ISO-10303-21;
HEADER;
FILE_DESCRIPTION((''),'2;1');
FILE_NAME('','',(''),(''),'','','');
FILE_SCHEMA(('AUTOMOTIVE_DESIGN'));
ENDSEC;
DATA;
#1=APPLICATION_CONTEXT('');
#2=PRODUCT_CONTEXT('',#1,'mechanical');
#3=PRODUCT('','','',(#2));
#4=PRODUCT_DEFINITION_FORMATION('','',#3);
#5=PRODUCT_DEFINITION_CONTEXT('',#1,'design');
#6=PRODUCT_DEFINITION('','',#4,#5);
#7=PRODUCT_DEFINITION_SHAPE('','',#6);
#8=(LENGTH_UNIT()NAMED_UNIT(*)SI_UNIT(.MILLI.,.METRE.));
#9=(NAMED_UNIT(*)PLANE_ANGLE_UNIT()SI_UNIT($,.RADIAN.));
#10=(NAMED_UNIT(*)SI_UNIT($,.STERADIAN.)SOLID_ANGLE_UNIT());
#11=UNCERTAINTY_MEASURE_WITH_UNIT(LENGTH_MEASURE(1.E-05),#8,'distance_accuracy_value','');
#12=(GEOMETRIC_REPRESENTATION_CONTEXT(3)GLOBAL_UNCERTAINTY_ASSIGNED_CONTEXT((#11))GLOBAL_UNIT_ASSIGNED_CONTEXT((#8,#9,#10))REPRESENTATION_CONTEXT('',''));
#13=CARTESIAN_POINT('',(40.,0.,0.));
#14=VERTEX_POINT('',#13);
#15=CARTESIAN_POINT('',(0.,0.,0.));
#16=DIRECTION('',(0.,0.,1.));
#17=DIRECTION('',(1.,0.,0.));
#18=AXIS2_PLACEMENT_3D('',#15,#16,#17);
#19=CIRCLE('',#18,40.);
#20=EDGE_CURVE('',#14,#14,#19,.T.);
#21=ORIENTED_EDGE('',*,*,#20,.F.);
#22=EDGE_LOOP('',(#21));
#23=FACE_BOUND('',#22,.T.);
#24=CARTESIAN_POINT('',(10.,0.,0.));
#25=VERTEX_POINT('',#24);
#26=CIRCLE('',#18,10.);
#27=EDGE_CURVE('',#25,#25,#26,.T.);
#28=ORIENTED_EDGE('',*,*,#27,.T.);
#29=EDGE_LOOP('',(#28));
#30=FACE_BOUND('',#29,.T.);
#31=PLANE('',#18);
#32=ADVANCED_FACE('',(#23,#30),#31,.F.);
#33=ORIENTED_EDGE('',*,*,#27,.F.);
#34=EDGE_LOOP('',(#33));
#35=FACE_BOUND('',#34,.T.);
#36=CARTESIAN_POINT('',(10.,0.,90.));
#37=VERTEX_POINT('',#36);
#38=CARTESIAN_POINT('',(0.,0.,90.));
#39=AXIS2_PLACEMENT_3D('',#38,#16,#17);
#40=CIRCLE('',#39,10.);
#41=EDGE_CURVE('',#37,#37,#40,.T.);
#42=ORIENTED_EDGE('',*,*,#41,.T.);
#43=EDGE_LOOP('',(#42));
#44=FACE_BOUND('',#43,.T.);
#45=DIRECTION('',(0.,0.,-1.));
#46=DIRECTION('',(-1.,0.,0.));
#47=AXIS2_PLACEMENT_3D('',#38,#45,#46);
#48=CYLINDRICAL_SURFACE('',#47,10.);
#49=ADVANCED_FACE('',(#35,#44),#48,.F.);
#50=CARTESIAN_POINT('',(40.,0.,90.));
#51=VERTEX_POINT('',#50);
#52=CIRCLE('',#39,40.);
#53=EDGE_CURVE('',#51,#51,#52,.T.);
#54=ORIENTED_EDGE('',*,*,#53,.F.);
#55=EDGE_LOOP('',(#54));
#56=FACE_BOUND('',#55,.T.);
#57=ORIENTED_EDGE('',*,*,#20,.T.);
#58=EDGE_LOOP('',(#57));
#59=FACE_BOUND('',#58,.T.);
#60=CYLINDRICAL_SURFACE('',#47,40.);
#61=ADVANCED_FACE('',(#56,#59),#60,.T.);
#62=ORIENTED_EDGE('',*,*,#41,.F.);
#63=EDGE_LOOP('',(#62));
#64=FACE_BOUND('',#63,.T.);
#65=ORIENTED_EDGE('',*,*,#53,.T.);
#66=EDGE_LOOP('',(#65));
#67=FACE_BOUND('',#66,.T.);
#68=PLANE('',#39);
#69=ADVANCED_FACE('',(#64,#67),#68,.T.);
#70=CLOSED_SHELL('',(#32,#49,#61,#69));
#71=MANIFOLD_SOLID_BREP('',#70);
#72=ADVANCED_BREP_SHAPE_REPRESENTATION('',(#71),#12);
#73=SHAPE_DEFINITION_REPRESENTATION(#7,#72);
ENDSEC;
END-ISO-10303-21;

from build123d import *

# Parameters (mm, degrees)
SKETCH1_R           = 40
SKETCH1_R_2         = 10
BOSS_EXTRUDE1_DEPTH = 90


with BuildPart() as part:
    # Sketch1 → Boss-Extrude1 (new body)
    with BuildSketch(Plane.XY):
        Circle(SKETCH1_R)
        Circle(SKETCH1_R_2, mode=Mode.SUBTRACT)
    extrude(amount=BOSS_EXTRUDE1_DEPTH)


solid = part.part
